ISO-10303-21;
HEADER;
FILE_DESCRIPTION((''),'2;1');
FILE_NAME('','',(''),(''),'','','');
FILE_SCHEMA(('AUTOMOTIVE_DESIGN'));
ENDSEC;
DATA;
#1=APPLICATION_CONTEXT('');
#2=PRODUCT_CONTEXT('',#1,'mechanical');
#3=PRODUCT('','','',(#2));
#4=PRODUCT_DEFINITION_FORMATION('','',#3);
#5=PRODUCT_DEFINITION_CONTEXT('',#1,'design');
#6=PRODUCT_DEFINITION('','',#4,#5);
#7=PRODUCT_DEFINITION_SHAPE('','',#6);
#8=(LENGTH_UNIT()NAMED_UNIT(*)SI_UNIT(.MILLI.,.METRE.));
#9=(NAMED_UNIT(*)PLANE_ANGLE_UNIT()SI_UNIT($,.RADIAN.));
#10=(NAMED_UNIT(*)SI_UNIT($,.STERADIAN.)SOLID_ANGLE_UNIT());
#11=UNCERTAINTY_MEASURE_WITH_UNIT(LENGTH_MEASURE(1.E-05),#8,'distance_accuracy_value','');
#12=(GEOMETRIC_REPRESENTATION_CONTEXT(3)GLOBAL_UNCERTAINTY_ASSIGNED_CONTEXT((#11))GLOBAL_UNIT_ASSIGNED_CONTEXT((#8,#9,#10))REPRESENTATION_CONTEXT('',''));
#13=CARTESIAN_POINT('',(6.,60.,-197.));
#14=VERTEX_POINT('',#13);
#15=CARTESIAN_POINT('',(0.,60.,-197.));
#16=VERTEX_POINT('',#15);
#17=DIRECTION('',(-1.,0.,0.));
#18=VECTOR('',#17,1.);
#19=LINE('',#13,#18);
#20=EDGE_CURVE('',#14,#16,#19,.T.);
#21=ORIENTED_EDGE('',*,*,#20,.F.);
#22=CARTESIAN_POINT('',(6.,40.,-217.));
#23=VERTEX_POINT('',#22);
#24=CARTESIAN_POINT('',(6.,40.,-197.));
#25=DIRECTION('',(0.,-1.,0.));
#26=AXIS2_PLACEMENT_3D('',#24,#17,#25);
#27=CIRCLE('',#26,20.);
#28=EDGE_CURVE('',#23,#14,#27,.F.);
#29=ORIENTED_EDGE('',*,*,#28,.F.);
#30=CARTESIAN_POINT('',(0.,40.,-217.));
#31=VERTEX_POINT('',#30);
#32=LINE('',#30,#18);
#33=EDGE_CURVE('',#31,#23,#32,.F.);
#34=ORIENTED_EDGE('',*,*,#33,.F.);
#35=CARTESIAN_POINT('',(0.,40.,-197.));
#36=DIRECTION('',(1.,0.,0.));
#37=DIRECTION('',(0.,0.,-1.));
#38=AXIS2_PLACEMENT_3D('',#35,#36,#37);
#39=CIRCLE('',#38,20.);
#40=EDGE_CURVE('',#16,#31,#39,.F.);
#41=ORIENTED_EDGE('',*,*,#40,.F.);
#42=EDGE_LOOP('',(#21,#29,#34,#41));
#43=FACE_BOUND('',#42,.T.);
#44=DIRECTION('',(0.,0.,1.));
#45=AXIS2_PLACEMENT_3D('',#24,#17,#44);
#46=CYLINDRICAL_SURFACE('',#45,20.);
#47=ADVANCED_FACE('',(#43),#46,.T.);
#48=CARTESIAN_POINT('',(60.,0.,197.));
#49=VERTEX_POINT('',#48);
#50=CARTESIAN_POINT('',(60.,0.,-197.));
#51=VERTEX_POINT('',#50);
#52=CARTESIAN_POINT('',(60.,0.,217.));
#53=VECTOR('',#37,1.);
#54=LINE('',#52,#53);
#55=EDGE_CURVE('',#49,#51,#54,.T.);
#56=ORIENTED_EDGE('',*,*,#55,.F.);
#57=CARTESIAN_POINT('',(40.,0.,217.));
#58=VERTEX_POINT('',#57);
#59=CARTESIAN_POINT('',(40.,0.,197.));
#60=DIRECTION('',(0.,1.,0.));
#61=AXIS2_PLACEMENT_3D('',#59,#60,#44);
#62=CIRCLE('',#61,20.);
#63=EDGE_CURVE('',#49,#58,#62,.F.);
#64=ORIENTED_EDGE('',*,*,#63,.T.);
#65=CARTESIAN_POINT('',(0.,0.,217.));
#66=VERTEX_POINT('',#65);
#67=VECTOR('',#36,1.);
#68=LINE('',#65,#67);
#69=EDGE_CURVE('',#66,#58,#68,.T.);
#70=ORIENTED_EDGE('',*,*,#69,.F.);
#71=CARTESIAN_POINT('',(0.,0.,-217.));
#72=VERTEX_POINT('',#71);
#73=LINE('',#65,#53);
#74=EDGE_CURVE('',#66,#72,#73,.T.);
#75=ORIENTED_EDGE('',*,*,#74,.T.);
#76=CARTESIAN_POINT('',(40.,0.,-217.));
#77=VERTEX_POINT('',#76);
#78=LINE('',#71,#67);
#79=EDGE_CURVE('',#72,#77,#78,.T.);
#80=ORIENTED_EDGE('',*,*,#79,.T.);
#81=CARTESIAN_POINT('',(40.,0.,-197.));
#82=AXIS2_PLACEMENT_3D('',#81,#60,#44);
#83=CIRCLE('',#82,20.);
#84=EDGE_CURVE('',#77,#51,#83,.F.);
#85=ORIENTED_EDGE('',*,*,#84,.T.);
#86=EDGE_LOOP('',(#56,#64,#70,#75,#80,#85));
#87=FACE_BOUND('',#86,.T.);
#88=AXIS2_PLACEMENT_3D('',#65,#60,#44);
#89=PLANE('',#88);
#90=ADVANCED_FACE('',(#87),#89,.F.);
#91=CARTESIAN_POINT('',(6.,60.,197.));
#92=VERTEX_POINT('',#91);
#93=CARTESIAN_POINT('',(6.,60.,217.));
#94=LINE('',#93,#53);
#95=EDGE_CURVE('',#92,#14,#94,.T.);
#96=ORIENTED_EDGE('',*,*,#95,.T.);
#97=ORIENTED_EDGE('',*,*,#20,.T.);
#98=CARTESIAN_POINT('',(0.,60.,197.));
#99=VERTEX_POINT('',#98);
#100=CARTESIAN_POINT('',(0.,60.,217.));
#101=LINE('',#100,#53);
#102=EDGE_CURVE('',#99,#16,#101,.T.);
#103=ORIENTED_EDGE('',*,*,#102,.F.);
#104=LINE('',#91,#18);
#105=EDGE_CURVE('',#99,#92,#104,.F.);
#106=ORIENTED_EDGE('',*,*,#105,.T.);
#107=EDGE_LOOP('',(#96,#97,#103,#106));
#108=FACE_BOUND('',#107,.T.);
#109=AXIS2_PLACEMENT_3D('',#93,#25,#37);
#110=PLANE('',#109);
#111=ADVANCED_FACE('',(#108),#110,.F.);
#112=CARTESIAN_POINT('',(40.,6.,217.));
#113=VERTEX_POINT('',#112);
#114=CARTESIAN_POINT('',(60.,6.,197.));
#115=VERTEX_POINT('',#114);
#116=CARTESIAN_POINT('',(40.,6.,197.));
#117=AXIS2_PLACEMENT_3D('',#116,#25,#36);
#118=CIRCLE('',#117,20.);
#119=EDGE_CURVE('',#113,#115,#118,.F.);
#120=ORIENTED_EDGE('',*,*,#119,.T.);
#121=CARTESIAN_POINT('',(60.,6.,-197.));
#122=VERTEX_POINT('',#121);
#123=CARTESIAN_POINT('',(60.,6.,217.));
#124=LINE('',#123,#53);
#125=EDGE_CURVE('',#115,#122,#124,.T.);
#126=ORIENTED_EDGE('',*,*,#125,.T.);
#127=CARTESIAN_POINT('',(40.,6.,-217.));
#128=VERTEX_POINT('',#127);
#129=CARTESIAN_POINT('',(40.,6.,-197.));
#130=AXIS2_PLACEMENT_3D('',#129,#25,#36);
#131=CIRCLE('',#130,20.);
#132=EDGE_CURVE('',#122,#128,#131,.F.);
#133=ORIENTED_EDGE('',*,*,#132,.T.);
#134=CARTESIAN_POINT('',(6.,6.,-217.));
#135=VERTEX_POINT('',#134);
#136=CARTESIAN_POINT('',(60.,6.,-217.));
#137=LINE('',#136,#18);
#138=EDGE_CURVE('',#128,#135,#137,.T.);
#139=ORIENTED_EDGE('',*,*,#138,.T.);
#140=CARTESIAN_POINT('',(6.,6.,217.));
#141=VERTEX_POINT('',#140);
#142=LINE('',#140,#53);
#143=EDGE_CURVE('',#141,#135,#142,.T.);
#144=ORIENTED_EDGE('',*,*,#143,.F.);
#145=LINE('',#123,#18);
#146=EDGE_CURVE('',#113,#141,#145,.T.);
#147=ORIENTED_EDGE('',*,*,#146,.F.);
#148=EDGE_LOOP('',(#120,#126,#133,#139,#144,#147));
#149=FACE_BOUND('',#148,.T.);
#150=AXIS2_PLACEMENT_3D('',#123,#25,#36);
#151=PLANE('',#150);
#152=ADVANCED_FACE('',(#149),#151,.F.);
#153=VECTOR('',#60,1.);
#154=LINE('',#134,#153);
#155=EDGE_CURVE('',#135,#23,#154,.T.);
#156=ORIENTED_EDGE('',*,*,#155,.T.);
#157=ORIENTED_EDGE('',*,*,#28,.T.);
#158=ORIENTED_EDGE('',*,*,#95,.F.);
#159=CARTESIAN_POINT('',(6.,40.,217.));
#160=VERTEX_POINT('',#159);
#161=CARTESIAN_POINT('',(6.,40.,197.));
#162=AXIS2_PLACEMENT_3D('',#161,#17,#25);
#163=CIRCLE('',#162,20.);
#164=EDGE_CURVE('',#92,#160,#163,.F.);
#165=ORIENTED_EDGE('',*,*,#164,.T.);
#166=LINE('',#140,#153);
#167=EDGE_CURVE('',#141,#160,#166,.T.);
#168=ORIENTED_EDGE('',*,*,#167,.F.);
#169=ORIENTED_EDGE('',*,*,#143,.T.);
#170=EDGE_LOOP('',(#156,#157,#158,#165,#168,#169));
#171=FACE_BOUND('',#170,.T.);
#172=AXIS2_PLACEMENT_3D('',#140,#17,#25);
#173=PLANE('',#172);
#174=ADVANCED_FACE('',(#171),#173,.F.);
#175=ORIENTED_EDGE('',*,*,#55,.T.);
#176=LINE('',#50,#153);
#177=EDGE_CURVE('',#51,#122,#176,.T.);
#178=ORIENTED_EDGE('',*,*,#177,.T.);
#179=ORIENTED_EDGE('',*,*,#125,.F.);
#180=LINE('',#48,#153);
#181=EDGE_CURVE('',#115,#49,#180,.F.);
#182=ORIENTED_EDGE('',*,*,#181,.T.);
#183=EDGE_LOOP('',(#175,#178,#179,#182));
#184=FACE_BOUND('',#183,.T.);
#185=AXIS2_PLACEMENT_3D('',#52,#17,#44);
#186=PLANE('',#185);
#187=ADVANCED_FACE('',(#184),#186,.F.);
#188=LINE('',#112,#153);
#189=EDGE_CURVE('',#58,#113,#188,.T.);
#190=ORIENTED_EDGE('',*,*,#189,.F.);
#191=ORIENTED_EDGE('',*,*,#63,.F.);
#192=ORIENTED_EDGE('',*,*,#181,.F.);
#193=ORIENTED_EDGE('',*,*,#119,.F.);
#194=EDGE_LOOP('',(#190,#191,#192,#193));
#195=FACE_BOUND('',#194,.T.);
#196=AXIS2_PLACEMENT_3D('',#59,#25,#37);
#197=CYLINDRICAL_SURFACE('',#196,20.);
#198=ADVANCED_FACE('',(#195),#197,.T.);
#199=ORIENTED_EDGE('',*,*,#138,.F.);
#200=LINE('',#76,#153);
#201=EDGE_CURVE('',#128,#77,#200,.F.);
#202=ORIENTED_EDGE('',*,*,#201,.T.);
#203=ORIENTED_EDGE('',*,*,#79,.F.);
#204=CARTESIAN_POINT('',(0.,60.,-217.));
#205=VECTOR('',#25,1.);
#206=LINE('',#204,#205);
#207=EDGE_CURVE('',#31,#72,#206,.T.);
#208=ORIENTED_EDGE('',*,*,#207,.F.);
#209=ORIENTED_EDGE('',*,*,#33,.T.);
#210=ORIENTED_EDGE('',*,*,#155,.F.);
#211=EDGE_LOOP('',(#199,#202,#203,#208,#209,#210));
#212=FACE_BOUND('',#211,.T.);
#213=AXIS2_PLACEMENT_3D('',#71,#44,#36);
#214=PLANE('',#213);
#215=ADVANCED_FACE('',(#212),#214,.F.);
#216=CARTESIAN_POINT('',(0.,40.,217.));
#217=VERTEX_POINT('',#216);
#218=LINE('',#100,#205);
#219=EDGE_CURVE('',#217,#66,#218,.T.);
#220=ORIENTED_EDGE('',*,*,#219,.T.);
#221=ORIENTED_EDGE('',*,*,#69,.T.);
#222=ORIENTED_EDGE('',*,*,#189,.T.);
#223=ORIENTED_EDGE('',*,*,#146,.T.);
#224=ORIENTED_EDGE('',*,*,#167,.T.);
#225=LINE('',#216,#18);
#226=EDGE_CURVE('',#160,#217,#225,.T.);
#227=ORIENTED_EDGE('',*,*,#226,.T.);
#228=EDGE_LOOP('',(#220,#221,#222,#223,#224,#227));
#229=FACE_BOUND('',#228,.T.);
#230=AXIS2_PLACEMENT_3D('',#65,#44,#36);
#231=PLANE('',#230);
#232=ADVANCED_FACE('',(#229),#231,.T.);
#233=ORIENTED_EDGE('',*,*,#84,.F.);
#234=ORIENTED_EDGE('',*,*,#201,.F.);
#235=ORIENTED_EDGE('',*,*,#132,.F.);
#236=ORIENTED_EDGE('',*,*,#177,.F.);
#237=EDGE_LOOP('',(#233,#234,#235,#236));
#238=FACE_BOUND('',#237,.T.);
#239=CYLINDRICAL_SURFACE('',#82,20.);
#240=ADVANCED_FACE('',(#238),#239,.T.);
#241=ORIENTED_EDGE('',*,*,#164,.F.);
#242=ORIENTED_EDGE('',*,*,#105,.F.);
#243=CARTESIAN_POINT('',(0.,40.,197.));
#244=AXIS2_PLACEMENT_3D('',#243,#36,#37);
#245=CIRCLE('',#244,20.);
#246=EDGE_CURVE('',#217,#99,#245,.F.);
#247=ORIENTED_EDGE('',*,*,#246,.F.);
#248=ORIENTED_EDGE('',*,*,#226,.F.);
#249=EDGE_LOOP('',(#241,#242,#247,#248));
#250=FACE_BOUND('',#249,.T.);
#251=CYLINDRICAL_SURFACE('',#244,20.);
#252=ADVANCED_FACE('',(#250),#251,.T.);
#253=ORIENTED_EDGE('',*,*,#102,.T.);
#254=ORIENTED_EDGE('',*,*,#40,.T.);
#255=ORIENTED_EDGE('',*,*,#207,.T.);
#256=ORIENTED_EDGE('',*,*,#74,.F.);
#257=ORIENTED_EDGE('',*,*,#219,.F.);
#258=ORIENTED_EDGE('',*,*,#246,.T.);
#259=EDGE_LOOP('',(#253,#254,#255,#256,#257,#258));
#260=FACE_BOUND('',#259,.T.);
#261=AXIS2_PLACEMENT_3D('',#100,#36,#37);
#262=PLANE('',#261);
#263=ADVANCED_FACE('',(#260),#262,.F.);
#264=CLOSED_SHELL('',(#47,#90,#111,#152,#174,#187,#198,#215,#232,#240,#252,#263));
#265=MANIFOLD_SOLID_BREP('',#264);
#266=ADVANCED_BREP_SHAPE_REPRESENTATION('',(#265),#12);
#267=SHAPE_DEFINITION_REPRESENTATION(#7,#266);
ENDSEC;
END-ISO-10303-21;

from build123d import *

# Parameters (mm, degrees)
EXTRUDE_1_DEPTH = 217
FILLET_1_R      = 20


with BuildPart() as part:
    # Эскиз1 → Бобышка-Вытянуть1 (new, symmetric)
    with BuildSketch(Plane.XY):
        Polygon((0, 0), (60, 0), (60, 6), (6, 6), (6, 60), (0, 60), align=None)
    extrude(amount=EXTRUDE_1_DEPTH, both=True)

    # Скругление1
    fillet_1_edges = [part.edges().sort_by_distance(p)[0] for p in [
        (60, 3, 217),
        (3, 60, 217),
        (3, 60, -217),
        (60, 3, -217),
    ]]
    fillet(fillet_1_edges, radius=FILLET_1_R)


solid = part.part
